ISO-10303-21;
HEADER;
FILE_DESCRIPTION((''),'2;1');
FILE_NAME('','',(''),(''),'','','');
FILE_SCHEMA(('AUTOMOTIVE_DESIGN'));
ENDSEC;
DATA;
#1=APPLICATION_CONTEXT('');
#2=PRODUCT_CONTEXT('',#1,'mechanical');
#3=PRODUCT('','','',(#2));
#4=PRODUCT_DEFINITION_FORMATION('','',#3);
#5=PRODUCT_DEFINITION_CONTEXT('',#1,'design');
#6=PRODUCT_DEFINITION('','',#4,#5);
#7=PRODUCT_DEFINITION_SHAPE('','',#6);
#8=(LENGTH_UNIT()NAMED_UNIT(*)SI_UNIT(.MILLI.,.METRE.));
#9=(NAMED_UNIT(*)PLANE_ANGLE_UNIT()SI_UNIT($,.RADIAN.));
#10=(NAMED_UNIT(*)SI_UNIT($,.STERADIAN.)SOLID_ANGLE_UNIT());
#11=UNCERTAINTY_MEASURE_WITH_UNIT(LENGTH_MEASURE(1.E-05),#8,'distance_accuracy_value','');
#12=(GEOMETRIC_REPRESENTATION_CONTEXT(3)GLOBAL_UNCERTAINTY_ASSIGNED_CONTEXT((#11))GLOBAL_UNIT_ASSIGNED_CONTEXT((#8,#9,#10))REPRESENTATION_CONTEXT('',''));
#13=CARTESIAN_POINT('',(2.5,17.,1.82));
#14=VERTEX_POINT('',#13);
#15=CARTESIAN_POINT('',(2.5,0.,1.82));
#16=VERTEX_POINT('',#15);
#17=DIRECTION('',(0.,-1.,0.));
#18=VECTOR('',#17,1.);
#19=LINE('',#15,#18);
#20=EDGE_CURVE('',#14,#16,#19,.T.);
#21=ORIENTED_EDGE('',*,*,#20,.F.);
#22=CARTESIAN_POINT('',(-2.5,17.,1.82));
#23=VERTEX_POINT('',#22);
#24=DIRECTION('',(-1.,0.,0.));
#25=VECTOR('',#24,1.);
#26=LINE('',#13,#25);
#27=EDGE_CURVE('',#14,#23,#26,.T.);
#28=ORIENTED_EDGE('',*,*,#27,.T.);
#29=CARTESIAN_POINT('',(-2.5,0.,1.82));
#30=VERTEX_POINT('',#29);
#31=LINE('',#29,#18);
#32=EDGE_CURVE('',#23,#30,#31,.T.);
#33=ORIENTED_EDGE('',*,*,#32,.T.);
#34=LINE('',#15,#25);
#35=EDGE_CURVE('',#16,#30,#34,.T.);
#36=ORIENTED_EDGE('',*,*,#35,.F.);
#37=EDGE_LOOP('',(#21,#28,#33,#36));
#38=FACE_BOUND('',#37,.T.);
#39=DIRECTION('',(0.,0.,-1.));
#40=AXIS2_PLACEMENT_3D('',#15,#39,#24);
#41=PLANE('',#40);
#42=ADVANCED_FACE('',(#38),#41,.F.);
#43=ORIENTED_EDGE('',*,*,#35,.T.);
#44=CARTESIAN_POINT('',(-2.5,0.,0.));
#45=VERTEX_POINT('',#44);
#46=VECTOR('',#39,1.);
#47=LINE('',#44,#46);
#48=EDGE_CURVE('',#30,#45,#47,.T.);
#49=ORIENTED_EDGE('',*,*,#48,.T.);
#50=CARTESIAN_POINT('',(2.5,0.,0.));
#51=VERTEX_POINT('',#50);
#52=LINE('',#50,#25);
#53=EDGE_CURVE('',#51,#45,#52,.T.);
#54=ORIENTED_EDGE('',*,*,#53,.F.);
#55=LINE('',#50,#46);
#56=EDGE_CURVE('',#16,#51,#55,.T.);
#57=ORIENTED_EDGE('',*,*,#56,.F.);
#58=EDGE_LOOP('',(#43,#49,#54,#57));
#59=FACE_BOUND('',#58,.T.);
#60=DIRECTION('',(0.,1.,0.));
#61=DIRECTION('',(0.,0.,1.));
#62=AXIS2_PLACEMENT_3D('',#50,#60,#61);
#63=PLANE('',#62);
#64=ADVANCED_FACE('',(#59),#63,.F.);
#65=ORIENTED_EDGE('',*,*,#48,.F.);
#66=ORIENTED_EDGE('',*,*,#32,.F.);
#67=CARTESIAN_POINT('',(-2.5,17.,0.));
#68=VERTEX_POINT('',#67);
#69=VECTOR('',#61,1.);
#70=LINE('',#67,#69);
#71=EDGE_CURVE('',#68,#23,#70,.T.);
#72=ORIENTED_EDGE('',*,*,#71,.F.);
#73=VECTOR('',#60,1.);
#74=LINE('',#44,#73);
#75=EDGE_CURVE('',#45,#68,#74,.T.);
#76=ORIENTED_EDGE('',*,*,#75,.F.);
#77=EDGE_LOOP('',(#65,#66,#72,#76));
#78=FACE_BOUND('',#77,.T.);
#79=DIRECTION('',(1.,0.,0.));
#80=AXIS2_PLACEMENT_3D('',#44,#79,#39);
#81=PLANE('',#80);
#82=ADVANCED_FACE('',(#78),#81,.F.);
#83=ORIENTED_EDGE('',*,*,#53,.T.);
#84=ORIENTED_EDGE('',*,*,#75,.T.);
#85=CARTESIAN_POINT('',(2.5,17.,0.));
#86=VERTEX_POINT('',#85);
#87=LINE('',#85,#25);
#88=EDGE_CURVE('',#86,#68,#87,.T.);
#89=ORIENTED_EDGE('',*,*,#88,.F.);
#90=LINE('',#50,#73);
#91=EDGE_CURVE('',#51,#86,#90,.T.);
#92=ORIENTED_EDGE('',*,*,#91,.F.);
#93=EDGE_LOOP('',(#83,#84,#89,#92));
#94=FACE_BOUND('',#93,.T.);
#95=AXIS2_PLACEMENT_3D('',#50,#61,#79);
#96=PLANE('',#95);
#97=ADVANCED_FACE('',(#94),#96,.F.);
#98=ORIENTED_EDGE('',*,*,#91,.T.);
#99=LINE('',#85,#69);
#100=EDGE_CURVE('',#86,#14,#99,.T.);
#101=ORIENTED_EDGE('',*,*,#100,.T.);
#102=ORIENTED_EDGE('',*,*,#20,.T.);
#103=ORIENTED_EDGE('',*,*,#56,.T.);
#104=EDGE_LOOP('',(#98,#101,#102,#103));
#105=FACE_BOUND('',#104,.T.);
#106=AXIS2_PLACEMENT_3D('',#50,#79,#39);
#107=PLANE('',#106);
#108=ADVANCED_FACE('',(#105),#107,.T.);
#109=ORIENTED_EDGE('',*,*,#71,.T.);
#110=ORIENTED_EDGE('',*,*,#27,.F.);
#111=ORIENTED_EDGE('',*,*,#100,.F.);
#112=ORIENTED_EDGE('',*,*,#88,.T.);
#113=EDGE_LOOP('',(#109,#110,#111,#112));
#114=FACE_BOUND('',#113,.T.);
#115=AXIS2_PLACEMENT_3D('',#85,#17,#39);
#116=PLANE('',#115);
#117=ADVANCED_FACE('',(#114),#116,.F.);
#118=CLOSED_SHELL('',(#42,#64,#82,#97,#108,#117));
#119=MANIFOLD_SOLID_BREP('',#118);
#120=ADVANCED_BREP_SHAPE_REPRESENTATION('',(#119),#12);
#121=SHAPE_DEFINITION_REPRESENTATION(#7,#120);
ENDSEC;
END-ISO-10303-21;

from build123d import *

# Parameters (mm, degrees)
SKETCH1_W           = 1.82
SKETCH1_H           = 17
BOSS_EXTRUDE1_DEPTH = 2.5


with BuildPart() as part:
    # Sketch1 → Boss-Extrude1 (new, symmetric)
    with BuildSketch(Plane(origin=(0, 0, 0), x_dir=(0, 0, -1), z_dir=(1, 0, 0))):
        with Locations((-0.91, 8.5)):
            Rectangle(SKETCH1_W, SKETCH1_H)
    extrude(amount=BOSS_EXTRUDE1_DEPTH, both=True)


solid = part.part
